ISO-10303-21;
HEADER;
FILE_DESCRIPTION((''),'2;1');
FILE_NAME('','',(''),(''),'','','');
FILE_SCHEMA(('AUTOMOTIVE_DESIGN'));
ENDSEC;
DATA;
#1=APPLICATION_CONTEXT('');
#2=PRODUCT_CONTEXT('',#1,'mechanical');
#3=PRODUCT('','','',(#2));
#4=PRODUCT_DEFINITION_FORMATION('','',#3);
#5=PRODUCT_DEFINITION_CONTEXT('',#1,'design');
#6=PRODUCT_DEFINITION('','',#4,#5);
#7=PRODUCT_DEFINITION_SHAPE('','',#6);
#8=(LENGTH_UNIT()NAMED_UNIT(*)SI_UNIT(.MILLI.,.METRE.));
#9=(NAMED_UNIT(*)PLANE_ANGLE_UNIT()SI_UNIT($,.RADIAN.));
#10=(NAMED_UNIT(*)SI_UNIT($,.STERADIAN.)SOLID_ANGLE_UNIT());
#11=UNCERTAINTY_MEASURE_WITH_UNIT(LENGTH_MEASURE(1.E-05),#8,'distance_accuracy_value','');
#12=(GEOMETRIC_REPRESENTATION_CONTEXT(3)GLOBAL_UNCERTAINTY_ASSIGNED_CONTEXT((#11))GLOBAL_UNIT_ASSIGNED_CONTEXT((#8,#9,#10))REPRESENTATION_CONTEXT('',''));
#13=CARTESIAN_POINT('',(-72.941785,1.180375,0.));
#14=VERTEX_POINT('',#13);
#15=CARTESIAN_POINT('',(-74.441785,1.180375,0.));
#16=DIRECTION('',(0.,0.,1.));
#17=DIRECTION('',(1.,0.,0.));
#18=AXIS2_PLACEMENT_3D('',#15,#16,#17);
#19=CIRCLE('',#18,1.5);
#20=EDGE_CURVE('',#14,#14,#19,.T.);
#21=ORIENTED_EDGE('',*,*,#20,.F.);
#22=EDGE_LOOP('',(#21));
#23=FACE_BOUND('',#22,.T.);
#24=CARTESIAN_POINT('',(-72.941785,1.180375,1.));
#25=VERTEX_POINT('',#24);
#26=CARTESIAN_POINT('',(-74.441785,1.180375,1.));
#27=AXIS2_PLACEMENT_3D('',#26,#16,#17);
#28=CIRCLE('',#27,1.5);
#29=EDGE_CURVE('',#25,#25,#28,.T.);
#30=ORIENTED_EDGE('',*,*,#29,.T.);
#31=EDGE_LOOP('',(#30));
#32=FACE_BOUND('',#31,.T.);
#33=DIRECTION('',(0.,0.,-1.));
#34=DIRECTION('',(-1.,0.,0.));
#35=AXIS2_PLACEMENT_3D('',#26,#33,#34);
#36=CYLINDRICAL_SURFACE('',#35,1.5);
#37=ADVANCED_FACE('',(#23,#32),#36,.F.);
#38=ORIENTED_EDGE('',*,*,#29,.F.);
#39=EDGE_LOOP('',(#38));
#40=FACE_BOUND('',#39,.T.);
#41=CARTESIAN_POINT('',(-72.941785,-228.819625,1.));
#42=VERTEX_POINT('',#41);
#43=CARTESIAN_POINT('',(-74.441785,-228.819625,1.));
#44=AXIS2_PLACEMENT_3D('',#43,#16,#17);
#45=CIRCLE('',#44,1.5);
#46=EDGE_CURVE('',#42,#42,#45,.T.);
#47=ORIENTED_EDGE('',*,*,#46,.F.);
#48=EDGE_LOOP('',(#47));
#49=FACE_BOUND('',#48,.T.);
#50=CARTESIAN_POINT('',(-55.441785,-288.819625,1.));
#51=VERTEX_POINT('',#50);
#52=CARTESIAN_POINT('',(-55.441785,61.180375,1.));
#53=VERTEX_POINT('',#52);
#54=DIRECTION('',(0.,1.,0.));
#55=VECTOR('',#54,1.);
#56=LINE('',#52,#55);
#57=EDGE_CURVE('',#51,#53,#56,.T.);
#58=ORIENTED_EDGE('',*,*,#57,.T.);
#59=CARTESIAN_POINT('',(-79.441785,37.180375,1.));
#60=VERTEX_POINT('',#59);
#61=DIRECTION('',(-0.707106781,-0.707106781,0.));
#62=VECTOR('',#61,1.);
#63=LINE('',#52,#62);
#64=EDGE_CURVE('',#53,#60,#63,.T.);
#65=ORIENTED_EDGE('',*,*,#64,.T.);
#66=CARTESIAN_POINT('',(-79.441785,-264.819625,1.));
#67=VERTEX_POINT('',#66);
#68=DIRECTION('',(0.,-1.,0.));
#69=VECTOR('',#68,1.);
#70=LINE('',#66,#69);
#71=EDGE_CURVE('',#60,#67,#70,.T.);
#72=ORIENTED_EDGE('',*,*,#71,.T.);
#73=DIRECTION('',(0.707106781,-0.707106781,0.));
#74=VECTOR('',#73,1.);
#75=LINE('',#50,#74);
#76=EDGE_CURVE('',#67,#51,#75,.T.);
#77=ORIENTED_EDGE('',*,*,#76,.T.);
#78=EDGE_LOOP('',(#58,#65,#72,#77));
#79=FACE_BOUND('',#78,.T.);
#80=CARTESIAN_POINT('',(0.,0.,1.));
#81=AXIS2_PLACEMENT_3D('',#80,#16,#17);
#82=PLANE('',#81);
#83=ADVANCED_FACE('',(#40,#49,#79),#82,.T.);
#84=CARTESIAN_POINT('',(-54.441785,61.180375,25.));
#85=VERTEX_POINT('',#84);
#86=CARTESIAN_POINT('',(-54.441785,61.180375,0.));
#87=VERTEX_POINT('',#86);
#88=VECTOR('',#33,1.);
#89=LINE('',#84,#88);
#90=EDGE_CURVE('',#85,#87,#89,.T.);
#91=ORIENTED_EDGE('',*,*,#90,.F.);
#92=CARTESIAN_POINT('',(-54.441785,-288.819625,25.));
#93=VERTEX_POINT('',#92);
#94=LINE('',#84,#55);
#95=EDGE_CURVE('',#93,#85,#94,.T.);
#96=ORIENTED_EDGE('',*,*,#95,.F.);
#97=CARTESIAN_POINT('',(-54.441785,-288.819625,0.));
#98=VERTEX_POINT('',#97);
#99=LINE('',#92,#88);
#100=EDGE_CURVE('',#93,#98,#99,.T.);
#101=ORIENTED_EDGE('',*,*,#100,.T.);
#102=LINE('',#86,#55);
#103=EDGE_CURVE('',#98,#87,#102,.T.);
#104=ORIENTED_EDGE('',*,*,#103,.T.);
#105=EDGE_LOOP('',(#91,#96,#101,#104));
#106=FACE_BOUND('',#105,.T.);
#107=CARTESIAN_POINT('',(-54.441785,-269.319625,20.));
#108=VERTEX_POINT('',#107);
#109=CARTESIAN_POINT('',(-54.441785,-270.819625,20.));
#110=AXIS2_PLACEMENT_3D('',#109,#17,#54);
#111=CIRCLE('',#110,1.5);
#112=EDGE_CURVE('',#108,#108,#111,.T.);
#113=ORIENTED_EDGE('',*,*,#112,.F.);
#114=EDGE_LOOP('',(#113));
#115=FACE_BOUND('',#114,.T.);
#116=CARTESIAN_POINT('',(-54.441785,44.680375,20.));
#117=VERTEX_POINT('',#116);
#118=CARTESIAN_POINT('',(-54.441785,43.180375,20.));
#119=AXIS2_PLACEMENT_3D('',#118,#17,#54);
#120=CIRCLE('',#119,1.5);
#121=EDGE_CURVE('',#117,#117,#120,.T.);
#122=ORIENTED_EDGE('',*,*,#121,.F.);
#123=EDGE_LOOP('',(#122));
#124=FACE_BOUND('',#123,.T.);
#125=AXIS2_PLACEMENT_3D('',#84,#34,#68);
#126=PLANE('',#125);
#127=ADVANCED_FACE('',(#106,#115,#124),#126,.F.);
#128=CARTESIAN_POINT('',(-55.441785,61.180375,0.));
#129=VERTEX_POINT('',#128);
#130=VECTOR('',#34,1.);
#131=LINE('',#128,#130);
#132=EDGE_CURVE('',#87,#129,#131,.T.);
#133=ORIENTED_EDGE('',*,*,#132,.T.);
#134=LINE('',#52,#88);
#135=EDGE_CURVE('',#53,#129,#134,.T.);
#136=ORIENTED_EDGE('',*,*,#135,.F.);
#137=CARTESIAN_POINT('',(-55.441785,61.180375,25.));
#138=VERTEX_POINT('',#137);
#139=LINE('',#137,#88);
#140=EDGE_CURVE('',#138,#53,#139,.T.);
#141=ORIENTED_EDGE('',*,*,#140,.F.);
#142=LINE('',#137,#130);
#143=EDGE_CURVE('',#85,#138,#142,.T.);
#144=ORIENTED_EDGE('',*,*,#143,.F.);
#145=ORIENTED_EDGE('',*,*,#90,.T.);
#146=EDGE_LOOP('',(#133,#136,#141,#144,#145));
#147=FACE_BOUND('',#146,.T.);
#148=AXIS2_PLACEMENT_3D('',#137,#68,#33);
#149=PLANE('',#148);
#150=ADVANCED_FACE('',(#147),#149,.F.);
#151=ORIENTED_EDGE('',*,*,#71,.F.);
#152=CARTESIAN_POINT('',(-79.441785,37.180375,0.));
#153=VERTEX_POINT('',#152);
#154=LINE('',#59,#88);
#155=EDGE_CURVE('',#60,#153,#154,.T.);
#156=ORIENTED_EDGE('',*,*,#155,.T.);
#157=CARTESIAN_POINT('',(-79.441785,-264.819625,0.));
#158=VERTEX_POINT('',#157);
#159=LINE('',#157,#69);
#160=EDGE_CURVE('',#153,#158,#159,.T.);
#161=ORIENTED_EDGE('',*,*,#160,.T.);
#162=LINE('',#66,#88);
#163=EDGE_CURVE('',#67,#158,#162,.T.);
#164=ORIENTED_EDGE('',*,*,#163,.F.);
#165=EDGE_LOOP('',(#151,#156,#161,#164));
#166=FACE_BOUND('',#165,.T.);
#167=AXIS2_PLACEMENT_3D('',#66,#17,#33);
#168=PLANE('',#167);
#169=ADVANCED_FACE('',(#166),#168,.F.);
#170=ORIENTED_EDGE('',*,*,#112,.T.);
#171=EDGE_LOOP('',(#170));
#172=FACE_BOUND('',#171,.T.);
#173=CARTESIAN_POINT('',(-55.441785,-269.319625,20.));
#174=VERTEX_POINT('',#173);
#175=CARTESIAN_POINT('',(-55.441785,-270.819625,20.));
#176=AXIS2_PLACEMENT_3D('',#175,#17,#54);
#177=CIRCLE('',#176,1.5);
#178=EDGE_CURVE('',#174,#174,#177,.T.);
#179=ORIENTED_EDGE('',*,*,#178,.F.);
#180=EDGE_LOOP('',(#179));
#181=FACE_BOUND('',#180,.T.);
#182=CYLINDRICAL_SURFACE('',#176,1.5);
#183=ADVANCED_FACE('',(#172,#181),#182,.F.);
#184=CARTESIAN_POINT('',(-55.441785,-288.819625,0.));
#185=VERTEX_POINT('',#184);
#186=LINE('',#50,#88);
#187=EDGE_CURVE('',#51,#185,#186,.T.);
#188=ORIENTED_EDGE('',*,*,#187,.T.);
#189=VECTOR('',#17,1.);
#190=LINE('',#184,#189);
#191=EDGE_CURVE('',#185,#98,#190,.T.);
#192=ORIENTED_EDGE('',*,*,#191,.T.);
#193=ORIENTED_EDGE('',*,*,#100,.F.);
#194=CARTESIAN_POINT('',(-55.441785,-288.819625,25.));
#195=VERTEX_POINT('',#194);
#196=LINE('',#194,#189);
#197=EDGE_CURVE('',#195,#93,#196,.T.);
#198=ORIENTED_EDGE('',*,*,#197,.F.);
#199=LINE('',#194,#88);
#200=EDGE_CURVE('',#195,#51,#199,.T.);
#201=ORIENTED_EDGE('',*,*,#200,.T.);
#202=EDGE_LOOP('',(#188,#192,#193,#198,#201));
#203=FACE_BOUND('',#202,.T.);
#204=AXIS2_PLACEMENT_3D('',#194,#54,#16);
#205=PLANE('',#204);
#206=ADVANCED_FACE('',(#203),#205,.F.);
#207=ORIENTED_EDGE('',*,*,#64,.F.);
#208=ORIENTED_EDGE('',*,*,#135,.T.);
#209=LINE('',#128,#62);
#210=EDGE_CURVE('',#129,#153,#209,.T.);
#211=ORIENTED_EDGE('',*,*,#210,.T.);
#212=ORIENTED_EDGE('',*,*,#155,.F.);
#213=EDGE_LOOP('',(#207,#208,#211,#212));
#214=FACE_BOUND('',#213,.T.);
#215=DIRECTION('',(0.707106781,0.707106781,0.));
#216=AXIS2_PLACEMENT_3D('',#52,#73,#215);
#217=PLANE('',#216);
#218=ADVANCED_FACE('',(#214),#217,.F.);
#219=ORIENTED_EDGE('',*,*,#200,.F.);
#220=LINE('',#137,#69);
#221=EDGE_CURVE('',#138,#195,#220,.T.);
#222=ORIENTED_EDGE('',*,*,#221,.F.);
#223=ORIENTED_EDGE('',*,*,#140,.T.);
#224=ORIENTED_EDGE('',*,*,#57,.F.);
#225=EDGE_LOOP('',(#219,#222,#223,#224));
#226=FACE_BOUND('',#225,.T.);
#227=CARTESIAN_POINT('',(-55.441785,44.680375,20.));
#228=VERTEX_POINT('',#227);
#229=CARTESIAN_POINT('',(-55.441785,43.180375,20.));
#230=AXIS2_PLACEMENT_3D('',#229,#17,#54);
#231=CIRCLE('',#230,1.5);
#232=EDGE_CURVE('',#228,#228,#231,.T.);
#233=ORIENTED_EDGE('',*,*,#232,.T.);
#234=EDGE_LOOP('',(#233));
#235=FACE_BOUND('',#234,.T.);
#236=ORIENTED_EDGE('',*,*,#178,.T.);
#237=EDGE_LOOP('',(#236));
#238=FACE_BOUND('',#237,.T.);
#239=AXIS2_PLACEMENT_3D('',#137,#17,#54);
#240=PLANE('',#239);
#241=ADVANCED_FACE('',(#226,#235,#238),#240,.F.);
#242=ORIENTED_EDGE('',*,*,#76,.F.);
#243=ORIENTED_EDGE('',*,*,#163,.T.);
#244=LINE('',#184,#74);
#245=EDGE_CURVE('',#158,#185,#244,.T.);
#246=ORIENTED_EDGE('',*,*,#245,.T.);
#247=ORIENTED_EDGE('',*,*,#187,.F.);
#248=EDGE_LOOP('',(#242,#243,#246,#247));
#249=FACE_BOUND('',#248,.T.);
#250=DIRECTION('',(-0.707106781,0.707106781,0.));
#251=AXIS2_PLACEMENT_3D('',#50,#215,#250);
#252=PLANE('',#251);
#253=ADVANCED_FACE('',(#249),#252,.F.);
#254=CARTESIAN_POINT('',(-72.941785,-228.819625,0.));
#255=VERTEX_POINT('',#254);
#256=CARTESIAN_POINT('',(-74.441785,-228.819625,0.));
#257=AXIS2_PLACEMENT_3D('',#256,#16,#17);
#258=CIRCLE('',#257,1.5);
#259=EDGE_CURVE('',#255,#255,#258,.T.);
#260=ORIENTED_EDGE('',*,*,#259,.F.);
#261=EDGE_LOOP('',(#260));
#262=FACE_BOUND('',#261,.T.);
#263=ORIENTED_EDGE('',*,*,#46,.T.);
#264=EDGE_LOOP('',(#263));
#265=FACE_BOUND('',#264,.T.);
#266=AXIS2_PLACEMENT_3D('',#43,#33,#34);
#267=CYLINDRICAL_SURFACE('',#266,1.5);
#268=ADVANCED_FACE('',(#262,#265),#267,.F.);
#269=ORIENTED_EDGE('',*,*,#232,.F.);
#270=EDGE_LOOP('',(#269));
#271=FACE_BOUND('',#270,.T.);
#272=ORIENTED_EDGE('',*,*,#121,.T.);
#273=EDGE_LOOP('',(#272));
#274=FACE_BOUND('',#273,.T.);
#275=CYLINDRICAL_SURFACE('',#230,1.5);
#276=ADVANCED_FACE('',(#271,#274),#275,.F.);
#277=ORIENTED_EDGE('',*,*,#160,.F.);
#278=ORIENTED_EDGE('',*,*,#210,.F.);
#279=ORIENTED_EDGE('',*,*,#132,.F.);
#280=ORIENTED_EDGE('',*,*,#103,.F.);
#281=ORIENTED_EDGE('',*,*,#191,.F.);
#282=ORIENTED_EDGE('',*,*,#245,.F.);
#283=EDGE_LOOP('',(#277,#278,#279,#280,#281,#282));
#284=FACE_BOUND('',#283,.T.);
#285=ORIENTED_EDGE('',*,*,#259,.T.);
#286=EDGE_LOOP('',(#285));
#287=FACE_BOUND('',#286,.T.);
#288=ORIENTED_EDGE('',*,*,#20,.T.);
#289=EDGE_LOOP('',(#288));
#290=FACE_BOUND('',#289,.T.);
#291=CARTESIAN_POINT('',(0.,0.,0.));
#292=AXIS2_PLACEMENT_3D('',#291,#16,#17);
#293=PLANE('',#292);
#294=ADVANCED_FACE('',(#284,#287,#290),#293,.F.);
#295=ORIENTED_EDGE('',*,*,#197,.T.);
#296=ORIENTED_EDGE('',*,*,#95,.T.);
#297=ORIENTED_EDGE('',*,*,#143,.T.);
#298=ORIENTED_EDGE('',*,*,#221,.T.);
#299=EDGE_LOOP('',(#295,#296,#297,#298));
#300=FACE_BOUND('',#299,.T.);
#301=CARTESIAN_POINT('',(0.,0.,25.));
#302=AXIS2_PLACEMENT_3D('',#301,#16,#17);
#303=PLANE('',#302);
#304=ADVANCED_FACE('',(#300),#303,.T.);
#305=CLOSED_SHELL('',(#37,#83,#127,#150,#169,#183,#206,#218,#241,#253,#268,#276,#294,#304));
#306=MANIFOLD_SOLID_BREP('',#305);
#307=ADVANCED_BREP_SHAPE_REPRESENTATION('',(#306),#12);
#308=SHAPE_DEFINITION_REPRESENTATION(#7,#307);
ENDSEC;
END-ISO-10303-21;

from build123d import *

# Parameters (mm, degrees)
CROQUIS2_W              = 1
CROQUIS2_H              = 350
SALIENTE_EXTRUIR2_DEPTH = 25
CROQUIS5_R              = 1.5
CORTAR_EXTRUIR2_DEPTH   = 1
CROQUIS1_R              = 1.5
SALIENTE_EXTRUIR3_DEPTH = 1


with BuildPart() as part:
    # Croquis2 → Saliente-Extruir2 (new body)
    with BuildSketch(Plane.XY):
        with Locations((-54.941785307, -113.819624774)):
            Rectangle(CROQUIS2_W, CROQUIS2_H)
    extrude(amount=SALIENTE_EXTRUIR2_DEPTH)

    # Croquis5 → Cortar-Extruir2 (cut)
    with BuildSketch(Plane(origin=(-54.441785307, 0, 0), x_dir=(0, 0, -1), z_dir=(1, 0, 0))):
        with Locations((-20, 43.180375226)):
            Circle(CROQUIS5_R)
        with Locations((-20, -270.819624774)):
            Circle(CROQUIS5_R)
    extrude(amount=-CORTAR_EXTRUIR2_DEPTH, mode=Mode.SUBTRACT)

    # Croquis1 → Saliente-Extruir3 (add)
    with BuildSketch(Plane.XY):
        Polygon((-55.441785307, 61.180375226), (-79.441785307, 37.180375226), (-79.441785307, -264.819624774), (-55.441785307, -288.819624774), align=None)
        with Locations((-74.441785307, 1.180375226)):
            Circle(CROQUIS1_R, mode=Mode.SUBTRACT)
        with Locations((-74.441785307, -228.819624774)):
            Circle(CROQUIS1_R, mode=Mode.SUBTRACT)
    extrude(amount=SALIENTE_EXTRUIR3_DEPTH)


solid = part.part
